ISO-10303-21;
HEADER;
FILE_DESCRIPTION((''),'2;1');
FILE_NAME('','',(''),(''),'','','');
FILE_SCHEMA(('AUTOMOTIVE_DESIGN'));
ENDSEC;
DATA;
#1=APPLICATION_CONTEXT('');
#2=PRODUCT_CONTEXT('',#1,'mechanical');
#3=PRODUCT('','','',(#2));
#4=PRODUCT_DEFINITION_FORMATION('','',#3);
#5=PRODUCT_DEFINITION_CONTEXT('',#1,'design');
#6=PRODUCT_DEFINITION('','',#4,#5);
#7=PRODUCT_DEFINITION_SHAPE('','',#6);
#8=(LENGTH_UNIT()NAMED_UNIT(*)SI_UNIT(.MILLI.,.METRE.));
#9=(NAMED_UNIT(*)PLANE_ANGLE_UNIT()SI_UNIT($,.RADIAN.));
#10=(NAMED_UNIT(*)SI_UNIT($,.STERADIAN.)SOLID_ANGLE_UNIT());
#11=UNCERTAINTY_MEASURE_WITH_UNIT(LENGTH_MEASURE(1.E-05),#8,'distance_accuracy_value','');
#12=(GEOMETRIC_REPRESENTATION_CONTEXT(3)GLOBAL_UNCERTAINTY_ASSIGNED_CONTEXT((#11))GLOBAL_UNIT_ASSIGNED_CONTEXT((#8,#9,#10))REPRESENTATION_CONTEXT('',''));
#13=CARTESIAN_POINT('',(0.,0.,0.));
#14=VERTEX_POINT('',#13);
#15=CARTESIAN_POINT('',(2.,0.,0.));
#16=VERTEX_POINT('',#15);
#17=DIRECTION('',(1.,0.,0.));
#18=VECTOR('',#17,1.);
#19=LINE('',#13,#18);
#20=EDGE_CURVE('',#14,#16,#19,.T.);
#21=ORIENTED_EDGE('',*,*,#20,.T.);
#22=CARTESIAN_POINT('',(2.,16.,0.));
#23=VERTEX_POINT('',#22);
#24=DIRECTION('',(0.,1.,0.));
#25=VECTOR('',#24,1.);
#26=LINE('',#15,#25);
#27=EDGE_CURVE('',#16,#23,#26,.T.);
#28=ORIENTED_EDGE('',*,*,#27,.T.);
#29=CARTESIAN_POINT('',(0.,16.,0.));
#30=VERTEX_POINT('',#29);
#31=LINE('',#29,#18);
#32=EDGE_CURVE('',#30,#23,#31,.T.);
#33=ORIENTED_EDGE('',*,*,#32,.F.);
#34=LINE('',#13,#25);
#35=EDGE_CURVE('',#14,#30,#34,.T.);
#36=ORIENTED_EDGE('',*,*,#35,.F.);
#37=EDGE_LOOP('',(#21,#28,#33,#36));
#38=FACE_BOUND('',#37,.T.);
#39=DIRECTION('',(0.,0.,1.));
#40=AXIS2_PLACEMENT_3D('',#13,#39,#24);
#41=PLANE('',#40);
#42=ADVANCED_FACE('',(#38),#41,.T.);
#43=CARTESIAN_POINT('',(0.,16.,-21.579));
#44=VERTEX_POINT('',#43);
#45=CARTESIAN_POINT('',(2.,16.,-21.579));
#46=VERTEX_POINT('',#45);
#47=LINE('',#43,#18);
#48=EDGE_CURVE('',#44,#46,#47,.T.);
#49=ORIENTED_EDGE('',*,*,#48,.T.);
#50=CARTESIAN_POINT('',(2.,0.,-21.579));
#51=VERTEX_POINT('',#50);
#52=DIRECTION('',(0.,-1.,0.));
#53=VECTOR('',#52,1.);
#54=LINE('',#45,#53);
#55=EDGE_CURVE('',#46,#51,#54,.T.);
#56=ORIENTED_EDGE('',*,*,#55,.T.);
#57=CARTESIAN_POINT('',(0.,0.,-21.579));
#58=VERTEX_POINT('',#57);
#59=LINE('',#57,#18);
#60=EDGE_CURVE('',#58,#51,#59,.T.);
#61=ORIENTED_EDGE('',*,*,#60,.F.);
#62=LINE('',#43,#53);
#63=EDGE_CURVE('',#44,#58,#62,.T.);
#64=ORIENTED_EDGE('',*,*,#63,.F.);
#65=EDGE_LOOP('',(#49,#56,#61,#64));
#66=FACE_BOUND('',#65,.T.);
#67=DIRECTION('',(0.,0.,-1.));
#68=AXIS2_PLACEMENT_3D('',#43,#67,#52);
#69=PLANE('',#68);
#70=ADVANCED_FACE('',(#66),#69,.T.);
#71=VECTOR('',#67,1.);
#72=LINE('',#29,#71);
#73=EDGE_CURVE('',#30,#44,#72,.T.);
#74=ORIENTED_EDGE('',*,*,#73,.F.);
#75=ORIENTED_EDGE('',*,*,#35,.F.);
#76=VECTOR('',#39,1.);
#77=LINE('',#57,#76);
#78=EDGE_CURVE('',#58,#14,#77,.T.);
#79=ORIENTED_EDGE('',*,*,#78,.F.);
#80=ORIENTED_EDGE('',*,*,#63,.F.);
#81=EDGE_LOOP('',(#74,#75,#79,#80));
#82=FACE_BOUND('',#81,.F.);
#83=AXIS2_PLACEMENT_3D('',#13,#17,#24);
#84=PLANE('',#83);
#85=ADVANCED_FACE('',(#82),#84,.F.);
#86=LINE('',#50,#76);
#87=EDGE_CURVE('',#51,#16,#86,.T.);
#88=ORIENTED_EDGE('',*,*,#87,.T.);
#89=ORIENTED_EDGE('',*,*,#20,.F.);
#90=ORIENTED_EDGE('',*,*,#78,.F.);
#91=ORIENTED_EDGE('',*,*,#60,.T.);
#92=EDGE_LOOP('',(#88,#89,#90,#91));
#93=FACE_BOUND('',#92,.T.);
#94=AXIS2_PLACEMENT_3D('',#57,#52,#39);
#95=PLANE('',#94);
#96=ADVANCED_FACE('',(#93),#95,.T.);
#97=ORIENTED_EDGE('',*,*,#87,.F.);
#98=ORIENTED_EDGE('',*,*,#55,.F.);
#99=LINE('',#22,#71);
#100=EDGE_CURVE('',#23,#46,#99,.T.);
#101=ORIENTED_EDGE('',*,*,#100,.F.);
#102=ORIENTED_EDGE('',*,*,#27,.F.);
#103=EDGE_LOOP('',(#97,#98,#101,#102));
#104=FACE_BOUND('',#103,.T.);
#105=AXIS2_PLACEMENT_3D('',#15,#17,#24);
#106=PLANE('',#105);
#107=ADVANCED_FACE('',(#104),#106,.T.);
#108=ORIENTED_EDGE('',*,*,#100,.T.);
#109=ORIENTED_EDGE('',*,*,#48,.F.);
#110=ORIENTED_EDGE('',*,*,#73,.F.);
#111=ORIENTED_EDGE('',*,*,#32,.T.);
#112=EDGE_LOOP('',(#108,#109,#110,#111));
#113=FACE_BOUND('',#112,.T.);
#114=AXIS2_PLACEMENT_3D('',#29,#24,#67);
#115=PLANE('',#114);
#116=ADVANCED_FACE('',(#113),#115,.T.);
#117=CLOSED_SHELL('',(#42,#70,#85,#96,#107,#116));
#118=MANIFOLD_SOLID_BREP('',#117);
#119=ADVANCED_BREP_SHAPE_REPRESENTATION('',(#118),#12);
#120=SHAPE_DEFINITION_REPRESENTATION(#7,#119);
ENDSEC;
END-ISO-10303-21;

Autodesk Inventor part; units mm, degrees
ref_plane "YZ Plane" through (0, 0, 0) normal (1, 0, 0) x (0, 1, 0)
ref_plane "XZ Plane" through (0, 0, 0) normal (0, 1, 0) x (-1, 0, 0)
ref_plane "XY Plane" through (0, 0, 0) normal (0, 0, 1) x (1, 0, 0)
sketch "Sketch1" plane through (0, 0, 0) normal (1, 0, 0) x (0, 1, 0)
  line L0 (0, 0) -> (16, 0)
  line L1 (16, 0) -> (16, -21.579)
  line L2 (16, -21.579) -> (0, -21.579)
  line L3 (0, -21.579) -> (0, 0)
  dimension "d0" = 16
  dimension "d1" = 21.579
extrude "Extrusion1" add sketch "Sketch1" along normal blind 2
properties part number "Between-Wall"
